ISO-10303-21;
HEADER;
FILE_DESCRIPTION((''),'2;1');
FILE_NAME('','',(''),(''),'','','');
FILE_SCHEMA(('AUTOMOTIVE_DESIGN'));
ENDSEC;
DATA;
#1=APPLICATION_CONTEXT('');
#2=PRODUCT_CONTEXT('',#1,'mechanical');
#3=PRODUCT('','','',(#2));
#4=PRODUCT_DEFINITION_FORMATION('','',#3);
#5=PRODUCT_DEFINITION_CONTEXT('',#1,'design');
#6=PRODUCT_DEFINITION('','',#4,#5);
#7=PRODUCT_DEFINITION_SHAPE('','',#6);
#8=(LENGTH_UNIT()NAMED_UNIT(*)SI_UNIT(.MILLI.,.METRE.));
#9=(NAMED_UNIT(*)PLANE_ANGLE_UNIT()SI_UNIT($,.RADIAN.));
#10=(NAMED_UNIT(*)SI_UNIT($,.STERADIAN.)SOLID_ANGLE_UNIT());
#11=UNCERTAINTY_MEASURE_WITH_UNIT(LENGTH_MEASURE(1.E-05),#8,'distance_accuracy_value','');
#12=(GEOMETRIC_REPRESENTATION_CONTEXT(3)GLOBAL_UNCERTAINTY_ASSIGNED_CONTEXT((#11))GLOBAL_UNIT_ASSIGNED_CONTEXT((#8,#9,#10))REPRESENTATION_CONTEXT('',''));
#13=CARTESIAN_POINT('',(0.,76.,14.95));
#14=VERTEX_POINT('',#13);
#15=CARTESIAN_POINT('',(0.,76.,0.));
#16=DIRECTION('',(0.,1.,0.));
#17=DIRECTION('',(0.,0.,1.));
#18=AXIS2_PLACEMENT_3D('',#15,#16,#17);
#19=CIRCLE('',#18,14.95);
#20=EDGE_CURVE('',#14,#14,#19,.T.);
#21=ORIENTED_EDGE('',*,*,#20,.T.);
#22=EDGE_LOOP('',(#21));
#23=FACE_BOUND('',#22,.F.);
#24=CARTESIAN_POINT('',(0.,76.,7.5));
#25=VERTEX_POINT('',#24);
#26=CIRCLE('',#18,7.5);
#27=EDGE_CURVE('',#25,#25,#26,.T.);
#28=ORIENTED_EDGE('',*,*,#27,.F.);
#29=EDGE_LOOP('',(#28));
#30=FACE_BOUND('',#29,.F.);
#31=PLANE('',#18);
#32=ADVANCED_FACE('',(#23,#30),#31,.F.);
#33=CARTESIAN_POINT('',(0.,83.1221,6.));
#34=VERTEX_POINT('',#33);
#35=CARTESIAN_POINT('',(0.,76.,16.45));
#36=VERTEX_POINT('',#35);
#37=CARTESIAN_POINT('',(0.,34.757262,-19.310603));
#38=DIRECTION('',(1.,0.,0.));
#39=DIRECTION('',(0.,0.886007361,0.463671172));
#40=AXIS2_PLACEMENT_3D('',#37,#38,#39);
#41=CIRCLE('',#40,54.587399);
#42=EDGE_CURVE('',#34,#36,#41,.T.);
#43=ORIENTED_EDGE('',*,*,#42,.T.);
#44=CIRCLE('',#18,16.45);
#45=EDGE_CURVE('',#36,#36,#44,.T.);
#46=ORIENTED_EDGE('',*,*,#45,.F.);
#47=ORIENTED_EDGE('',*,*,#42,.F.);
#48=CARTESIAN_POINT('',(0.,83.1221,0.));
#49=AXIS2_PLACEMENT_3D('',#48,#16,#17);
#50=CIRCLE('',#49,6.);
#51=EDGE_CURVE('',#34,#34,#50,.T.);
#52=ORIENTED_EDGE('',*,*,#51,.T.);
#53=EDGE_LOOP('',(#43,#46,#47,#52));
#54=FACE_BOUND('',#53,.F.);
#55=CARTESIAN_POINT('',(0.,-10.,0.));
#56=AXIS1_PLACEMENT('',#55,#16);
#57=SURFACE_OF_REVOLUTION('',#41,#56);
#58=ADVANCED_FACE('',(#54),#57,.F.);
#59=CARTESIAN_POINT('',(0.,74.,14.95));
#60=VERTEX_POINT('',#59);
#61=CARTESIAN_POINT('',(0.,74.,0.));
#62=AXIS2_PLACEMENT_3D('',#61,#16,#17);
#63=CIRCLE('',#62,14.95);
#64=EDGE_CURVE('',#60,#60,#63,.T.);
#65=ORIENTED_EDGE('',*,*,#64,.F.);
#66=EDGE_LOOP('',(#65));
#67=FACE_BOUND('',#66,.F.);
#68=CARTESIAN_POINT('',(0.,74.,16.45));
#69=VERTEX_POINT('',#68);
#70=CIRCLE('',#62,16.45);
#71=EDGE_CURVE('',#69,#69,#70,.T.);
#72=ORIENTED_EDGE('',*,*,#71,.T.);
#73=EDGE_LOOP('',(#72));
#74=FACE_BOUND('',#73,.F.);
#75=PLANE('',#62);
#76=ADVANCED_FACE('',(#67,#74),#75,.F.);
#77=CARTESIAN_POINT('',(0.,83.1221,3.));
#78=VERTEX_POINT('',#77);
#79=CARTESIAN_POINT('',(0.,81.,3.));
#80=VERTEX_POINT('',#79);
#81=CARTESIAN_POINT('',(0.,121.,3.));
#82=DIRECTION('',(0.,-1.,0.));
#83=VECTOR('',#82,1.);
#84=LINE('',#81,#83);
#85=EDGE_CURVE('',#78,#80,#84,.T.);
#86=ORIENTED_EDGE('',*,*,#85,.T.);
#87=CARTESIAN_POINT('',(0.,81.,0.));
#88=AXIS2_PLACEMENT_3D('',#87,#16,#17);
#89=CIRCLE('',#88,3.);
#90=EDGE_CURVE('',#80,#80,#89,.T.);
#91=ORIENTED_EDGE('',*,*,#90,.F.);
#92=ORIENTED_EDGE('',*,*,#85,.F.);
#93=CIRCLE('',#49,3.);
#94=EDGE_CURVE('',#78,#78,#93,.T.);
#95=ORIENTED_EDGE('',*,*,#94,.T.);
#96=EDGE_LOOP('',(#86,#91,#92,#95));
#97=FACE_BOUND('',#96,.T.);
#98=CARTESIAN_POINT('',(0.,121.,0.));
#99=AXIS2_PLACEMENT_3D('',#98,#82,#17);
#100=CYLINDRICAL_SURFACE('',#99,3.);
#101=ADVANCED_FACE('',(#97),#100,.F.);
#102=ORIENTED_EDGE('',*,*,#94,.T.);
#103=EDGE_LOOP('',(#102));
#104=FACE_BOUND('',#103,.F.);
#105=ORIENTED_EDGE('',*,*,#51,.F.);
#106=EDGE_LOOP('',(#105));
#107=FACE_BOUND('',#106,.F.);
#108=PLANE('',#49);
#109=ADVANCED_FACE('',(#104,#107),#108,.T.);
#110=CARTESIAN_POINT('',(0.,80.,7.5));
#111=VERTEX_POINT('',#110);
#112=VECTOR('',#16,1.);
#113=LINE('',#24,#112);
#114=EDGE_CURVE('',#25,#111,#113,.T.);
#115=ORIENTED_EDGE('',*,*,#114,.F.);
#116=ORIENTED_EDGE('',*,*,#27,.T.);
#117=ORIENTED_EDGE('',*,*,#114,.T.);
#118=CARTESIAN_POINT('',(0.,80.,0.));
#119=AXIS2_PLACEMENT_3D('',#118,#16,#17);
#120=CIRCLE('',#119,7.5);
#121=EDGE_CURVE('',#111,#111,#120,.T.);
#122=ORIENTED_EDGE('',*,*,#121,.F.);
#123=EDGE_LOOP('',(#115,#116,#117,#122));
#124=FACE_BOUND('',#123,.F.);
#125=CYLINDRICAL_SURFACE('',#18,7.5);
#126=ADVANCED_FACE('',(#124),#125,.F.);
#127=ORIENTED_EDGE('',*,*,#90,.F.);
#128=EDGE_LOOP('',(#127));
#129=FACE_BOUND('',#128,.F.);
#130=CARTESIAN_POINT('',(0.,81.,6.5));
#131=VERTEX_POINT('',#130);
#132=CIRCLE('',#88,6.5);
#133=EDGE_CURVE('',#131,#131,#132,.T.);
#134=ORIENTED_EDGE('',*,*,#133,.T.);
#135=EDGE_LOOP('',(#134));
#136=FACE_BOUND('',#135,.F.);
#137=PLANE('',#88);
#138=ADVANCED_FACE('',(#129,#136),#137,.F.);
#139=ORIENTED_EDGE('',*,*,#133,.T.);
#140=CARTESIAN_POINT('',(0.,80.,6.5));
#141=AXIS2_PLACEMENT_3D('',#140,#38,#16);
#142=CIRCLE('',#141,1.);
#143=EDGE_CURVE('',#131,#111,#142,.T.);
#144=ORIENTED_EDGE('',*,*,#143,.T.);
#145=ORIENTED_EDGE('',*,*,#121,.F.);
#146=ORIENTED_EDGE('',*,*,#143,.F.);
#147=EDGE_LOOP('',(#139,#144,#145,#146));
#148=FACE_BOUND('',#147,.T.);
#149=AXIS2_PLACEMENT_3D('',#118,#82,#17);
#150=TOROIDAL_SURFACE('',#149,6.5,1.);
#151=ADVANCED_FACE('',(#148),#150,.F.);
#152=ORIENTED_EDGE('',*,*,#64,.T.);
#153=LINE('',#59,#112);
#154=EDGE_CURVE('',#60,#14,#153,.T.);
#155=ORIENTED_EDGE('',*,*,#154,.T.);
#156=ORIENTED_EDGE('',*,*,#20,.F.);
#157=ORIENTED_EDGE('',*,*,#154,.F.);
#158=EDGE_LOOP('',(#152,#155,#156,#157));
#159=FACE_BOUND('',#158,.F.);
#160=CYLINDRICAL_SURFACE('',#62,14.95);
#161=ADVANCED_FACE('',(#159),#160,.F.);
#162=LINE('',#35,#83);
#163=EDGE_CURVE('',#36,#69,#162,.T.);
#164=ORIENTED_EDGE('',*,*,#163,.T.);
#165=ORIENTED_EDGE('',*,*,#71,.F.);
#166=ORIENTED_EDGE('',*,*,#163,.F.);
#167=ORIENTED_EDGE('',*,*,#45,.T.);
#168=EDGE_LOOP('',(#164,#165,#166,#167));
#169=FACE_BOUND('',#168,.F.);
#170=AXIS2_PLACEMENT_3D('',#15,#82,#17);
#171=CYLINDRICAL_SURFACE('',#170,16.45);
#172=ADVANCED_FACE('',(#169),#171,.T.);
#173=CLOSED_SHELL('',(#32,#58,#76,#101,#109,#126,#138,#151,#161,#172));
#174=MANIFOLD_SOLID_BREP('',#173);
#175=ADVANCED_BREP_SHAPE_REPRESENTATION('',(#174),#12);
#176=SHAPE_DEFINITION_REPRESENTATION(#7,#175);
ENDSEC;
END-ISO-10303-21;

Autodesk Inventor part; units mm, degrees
ref_plane "YZ Plane" through (0, 0, 0) normal (1, 0, 0) x (0, 1, 0)
ref_plane "XZ Plane" through (0, 0, 0) normal (0, 1, 0) x (-1, 0, 0)
ref_plane "XY Plane" through (0, 0, 0) normal (0, 0, 1) x (1, 0, 0)
sketch "Sketch1" plane through (0, 0, 0) normal (1, 0, 0) x (0, 1, 0)
  line L0 (121, 3) -> (1, 3)
  line L1 (1, 3) -> (1, -3)
  line L2 (1, -3) -> (121, -3)
  line L3 (121, -3) -> (121, 3)
  line L4 (121, 3) -> (1, -3) construction
  line L5 (1, 3) -> (121, -3) construction
  line L6 (10, 8.35) -> (0, 8.35)
  line L7 (0, 8.35) -> (0, 20)
  line L8 (10, 8.35) -> (10, 9.45)
  line L9 (10, 9.45) -> (16, 9.45)
  line L10 (16, 9.45) -> (16, 17)
  line L11 (16, 17) -> (18, 17)
  line L12 (18, 17) -> (18, 18.5)
  line L13 (18, 18.5) -> (16, 18.5)
  line L14 (16, 18.5) -> (16, 20)
  line L15 (16, 20) -> (0, 20)
  line L16 (-24.2, 0) -> (145.2, 0) projected
  line L17 (16, 20) -> (31, 20)
  line L18 (18, 17) -> (31, 17)
  line L19 (75, 9.45) -> (69, 9.45)
  line L20 (69, 9.45) -> (69, 8.35)
  line L21 (69, 8.35) -> (66, 8.35)
  line L22 (75, 9.45) -> (75, 12.45)
  arc A0 (75, 12.45) -> (31, 20) centre (31, -111.9869) ccw
  arc A1 (59.1084, 13.9001) -> (31, 17) centre (31, -111.9869) ccw
  arc A2 (66, 8.35) -> (59.1084, 13.9001) centre (56.9292, 4.1404) ccw
  line L23 (76, 16.45) -> (76, 7.5)
  line L24 (76, 7.5) -> (80, 7.5)
  line L25 (81, 6.5) -> (81, 3)
  arc A3 (81, 6.5) -> (80, 7.5) centre (80, 6.5) ccw
  line L26 (83.1221, 3) -> (83.1221, 6)
  arc A4 (83.1221, 6) -> (76, 16.45) centre (34.7546, -19.3122) ccw
  line L27 (76, 16.45) -> (74, 16.45)
  line L28 (74, 16.45) -> (74, 14.95)
  line L29 (74, 14.95) -> (76, 14.95)
  line L30 (76, 14.95) -> (76, 16.45)
  point P0 (0, 0)
  point P1 (61, 0)
  point P2 (61, 0)
  point P3 (81, 7.5)
  dimension "d0" = 120
  dimension "d1" = 6
  dimension "d5" = 8.35
  dimension "d6" = 9.45
  dimension "d7" = 1.5
  dimension "d8" = 1.5
  dimension "d9" = 20
  dimension "d10" = 6
  dimension "d11" = 2
  dimension "d13" = 10
  dimension "d14" = 1
  dimension "d15" = 6
  dimension "d16" = 3
  dimension "d17" = 9.45
  dimension "d18" = 3
  dimension "d19" = 8.35
  dimension "d20" = 15
  dimension "d21" = 7.55
  dimension "d22" = 75
  dimension "d23" = 10
  dimension "d25" = 5
  dimension "d26" = 1
  dimension "d27" = 7.5
  dimension "d28" = 1
  dimension "d32" = 6
  dimension "d33" = 1.5
  dimension "d34" = 4
  dimension "d35" = 1.5
  dimension "d36" = 2
revolve "Revolution2" add sketch "Sketch1" angle 360 about axis through (0, -10, 0) along (0, 1, 0) contours L0 L25 A3 L24 L23 A4 L26 | L23 L29 L28 L27
properties part number "Cap"
